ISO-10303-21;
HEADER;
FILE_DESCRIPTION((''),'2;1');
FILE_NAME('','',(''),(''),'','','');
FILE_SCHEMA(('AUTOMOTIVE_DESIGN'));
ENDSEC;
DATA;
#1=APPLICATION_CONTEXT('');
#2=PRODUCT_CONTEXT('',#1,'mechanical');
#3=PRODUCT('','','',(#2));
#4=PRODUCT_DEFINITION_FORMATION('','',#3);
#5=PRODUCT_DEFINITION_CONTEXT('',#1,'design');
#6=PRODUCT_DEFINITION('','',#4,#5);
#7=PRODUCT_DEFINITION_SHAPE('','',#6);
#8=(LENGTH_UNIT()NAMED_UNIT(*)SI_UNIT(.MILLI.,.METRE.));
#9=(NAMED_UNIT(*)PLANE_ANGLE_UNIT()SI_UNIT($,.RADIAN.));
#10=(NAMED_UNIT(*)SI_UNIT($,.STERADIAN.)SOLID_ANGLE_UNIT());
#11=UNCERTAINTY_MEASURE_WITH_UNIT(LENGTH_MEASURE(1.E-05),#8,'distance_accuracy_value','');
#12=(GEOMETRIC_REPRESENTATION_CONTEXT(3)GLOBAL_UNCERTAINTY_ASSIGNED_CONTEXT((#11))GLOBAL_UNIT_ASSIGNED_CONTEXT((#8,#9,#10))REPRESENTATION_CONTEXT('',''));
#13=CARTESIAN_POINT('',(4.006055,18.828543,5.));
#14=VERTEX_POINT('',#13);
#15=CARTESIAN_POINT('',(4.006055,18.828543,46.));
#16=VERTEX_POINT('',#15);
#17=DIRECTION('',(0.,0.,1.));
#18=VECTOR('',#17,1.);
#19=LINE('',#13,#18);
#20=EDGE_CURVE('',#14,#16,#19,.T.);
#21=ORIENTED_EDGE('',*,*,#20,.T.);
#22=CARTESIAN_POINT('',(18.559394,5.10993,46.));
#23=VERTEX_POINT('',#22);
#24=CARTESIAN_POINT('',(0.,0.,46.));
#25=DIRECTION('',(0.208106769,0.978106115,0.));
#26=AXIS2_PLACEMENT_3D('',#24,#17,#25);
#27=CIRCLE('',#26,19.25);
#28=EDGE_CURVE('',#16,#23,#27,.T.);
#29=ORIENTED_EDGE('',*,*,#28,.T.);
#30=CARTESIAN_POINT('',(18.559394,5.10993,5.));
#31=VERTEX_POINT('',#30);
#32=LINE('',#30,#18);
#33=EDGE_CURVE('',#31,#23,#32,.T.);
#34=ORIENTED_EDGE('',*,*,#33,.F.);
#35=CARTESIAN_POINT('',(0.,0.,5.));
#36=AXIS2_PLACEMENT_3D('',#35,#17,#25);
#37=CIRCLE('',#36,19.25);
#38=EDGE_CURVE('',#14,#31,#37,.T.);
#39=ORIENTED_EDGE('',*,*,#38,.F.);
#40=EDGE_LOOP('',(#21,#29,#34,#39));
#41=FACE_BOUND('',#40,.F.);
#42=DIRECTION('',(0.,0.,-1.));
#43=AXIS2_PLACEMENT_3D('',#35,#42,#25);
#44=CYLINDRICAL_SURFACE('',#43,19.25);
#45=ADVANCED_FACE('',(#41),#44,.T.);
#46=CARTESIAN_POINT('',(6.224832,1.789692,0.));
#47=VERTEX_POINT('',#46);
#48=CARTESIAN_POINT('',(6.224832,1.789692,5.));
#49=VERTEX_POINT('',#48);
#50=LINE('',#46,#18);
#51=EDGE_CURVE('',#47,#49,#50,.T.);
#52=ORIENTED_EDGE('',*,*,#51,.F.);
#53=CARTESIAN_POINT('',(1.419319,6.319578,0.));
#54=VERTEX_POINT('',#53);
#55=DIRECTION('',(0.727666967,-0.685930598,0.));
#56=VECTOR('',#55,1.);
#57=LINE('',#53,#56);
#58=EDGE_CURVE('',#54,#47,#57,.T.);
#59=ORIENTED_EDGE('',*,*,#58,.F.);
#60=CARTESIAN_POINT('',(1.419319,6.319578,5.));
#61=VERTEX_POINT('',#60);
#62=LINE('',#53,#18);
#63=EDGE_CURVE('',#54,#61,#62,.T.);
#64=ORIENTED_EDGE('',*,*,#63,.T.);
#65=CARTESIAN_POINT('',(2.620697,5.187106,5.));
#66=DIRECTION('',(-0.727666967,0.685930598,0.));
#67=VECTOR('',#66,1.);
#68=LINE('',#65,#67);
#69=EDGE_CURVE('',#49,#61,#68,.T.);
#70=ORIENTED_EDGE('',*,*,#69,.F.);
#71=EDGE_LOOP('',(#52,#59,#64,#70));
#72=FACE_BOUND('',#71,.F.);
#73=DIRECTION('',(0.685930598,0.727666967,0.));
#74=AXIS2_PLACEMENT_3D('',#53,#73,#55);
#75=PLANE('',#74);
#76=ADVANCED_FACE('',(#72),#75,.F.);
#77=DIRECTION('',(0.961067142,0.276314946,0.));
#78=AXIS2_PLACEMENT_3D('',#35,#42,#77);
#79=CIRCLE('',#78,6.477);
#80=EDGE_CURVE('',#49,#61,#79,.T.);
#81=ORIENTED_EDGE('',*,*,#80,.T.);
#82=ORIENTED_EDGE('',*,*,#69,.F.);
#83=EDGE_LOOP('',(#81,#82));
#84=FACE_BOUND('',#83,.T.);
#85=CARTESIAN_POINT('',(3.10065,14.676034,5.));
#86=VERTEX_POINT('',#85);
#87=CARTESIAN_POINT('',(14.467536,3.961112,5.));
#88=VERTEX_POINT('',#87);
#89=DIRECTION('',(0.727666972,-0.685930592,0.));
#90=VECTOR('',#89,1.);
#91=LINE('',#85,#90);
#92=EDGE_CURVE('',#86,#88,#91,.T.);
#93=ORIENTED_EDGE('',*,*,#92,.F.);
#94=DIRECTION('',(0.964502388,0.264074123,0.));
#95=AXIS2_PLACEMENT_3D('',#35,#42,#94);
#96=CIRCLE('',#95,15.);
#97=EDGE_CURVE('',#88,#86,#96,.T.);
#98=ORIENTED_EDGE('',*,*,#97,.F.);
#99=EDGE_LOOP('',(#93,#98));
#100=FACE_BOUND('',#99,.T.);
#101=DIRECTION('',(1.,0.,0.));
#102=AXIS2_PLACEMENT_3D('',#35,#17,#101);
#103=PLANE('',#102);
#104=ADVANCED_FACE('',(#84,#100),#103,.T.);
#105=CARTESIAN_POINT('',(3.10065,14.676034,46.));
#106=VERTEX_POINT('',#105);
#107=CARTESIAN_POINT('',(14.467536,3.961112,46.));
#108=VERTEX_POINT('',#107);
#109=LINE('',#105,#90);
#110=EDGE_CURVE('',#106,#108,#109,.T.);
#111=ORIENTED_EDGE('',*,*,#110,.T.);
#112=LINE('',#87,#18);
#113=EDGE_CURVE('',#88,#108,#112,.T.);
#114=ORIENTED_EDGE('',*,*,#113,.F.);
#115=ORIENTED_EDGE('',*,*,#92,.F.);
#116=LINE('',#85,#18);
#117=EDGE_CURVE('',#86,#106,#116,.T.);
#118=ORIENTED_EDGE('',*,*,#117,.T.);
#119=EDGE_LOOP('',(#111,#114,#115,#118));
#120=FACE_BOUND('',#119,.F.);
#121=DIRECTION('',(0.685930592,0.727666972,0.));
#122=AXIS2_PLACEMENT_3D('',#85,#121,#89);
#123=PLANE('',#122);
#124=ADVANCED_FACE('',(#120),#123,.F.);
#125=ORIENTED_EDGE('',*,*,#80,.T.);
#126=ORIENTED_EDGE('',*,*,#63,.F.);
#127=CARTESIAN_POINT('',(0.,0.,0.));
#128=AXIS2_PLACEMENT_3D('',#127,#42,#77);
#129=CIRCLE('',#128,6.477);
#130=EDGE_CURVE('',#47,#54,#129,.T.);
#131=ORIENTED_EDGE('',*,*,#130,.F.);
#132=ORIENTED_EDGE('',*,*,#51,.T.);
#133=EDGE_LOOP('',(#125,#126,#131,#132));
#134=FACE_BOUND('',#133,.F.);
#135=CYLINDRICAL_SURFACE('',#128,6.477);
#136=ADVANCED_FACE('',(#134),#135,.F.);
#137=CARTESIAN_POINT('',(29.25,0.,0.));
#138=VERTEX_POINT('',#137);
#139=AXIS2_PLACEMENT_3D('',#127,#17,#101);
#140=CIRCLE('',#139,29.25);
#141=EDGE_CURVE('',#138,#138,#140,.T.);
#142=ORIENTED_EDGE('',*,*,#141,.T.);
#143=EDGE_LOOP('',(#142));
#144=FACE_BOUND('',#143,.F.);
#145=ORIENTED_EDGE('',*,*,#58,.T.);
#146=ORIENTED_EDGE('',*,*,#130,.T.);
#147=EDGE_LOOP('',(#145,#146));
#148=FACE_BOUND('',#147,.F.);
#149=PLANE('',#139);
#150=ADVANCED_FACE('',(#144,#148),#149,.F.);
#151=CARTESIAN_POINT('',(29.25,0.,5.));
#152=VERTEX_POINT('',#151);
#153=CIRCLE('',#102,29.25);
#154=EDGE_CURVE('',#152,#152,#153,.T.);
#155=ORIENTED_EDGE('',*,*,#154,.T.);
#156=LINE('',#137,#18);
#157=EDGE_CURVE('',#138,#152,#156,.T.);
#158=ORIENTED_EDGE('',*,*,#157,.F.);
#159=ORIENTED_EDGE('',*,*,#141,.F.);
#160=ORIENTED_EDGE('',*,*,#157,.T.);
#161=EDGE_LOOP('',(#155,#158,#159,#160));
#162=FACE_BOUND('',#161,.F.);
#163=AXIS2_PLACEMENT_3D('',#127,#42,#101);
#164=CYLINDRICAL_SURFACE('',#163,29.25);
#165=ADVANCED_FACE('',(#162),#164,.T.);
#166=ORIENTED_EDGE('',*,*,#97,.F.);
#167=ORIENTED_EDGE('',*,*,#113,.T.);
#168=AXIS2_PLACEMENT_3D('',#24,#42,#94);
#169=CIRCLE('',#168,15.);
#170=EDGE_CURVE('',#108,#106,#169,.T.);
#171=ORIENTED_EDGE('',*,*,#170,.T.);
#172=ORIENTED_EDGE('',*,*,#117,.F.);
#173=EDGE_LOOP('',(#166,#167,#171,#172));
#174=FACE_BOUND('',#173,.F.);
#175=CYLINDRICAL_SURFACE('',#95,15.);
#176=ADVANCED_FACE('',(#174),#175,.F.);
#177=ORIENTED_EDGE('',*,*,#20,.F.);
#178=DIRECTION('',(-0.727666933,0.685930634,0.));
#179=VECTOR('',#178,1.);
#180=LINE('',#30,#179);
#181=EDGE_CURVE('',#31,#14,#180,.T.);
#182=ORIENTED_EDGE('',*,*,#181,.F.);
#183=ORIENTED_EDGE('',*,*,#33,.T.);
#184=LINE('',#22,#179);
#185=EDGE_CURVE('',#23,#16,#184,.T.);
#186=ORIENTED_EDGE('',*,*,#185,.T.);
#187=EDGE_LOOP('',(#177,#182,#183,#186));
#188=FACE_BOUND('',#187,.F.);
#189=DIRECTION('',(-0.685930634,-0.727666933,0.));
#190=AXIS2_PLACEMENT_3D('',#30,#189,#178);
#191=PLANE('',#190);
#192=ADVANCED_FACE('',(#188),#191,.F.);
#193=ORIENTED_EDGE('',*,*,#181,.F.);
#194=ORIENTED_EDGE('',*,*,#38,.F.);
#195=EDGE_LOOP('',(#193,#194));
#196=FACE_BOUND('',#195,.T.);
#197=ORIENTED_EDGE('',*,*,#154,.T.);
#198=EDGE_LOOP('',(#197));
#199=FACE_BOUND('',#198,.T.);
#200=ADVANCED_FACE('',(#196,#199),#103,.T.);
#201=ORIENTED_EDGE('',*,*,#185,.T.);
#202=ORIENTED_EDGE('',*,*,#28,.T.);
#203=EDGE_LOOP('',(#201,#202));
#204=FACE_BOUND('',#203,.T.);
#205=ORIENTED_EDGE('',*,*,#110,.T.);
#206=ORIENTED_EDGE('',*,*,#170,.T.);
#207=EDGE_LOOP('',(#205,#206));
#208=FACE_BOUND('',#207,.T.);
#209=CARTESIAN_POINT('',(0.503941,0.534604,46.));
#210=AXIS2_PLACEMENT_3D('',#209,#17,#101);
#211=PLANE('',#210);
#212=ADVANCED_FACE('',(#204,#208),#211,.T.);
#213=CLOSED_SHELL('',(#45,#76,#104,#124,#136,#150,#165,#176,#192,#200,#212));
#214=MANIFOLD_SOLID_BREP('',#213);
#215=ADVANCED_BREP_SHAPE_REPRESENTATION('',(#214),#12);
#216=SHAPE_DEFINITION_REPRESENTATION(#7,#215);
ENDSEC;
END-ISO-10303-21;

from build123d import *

# Parameters (mm, degrees)
F0_R     = 29.25
F1_DEPTH = 5
F3_DEPTH = 41
F6_DEPTH = 25.4


with BuildPart() as f1:
    # F0 (on Top) → F1 (new body)
    with BuildSketch(Plane.XY):
        Circle(F0_R)
    extrude(amount=F1_DEPTH)

    # F2 (on face) → F3 (join)
    with BuildSketch(Plane.XY.offset(5)):
        with BuildLine():
            Line((18.559394, 5.10993), (4.006055, 18.828543))
            ThreePointArc((4.006055, 18.828543), (-13.204164, -14.007589), (18.559394, 5.10993))
        make_face()
        with BuildLine():
            ThreePointArc((14.467536, 3.961112), (-10.288959, -10.915004), (3.10065, 14.676034))
            Line((3.10065, 14.676034), (14.467536, 3.961112))
        make_face(mode=Mode.SUBTRACT)
    extrude(amount=F3_DEPTH)

    # F5 (on face) → F6 (cut)
    with BuildSketch(Plane(origin=(0, 0, 0), x_dir=(1, 0, 0), z_dir=(0, 0, -1))):
        with BuildLine():
            Line((1.419319, -6.319578), (6.224832, -1.789692))
            ThreePointArc((6.224832, -1.789692), (-4.442773, 4.713099), (1.419319, -6.319578))
        make_face()
    extrude(amount=-F6_DEPTH, mode=Mode.SUBTRACT)


solid = f1.part
